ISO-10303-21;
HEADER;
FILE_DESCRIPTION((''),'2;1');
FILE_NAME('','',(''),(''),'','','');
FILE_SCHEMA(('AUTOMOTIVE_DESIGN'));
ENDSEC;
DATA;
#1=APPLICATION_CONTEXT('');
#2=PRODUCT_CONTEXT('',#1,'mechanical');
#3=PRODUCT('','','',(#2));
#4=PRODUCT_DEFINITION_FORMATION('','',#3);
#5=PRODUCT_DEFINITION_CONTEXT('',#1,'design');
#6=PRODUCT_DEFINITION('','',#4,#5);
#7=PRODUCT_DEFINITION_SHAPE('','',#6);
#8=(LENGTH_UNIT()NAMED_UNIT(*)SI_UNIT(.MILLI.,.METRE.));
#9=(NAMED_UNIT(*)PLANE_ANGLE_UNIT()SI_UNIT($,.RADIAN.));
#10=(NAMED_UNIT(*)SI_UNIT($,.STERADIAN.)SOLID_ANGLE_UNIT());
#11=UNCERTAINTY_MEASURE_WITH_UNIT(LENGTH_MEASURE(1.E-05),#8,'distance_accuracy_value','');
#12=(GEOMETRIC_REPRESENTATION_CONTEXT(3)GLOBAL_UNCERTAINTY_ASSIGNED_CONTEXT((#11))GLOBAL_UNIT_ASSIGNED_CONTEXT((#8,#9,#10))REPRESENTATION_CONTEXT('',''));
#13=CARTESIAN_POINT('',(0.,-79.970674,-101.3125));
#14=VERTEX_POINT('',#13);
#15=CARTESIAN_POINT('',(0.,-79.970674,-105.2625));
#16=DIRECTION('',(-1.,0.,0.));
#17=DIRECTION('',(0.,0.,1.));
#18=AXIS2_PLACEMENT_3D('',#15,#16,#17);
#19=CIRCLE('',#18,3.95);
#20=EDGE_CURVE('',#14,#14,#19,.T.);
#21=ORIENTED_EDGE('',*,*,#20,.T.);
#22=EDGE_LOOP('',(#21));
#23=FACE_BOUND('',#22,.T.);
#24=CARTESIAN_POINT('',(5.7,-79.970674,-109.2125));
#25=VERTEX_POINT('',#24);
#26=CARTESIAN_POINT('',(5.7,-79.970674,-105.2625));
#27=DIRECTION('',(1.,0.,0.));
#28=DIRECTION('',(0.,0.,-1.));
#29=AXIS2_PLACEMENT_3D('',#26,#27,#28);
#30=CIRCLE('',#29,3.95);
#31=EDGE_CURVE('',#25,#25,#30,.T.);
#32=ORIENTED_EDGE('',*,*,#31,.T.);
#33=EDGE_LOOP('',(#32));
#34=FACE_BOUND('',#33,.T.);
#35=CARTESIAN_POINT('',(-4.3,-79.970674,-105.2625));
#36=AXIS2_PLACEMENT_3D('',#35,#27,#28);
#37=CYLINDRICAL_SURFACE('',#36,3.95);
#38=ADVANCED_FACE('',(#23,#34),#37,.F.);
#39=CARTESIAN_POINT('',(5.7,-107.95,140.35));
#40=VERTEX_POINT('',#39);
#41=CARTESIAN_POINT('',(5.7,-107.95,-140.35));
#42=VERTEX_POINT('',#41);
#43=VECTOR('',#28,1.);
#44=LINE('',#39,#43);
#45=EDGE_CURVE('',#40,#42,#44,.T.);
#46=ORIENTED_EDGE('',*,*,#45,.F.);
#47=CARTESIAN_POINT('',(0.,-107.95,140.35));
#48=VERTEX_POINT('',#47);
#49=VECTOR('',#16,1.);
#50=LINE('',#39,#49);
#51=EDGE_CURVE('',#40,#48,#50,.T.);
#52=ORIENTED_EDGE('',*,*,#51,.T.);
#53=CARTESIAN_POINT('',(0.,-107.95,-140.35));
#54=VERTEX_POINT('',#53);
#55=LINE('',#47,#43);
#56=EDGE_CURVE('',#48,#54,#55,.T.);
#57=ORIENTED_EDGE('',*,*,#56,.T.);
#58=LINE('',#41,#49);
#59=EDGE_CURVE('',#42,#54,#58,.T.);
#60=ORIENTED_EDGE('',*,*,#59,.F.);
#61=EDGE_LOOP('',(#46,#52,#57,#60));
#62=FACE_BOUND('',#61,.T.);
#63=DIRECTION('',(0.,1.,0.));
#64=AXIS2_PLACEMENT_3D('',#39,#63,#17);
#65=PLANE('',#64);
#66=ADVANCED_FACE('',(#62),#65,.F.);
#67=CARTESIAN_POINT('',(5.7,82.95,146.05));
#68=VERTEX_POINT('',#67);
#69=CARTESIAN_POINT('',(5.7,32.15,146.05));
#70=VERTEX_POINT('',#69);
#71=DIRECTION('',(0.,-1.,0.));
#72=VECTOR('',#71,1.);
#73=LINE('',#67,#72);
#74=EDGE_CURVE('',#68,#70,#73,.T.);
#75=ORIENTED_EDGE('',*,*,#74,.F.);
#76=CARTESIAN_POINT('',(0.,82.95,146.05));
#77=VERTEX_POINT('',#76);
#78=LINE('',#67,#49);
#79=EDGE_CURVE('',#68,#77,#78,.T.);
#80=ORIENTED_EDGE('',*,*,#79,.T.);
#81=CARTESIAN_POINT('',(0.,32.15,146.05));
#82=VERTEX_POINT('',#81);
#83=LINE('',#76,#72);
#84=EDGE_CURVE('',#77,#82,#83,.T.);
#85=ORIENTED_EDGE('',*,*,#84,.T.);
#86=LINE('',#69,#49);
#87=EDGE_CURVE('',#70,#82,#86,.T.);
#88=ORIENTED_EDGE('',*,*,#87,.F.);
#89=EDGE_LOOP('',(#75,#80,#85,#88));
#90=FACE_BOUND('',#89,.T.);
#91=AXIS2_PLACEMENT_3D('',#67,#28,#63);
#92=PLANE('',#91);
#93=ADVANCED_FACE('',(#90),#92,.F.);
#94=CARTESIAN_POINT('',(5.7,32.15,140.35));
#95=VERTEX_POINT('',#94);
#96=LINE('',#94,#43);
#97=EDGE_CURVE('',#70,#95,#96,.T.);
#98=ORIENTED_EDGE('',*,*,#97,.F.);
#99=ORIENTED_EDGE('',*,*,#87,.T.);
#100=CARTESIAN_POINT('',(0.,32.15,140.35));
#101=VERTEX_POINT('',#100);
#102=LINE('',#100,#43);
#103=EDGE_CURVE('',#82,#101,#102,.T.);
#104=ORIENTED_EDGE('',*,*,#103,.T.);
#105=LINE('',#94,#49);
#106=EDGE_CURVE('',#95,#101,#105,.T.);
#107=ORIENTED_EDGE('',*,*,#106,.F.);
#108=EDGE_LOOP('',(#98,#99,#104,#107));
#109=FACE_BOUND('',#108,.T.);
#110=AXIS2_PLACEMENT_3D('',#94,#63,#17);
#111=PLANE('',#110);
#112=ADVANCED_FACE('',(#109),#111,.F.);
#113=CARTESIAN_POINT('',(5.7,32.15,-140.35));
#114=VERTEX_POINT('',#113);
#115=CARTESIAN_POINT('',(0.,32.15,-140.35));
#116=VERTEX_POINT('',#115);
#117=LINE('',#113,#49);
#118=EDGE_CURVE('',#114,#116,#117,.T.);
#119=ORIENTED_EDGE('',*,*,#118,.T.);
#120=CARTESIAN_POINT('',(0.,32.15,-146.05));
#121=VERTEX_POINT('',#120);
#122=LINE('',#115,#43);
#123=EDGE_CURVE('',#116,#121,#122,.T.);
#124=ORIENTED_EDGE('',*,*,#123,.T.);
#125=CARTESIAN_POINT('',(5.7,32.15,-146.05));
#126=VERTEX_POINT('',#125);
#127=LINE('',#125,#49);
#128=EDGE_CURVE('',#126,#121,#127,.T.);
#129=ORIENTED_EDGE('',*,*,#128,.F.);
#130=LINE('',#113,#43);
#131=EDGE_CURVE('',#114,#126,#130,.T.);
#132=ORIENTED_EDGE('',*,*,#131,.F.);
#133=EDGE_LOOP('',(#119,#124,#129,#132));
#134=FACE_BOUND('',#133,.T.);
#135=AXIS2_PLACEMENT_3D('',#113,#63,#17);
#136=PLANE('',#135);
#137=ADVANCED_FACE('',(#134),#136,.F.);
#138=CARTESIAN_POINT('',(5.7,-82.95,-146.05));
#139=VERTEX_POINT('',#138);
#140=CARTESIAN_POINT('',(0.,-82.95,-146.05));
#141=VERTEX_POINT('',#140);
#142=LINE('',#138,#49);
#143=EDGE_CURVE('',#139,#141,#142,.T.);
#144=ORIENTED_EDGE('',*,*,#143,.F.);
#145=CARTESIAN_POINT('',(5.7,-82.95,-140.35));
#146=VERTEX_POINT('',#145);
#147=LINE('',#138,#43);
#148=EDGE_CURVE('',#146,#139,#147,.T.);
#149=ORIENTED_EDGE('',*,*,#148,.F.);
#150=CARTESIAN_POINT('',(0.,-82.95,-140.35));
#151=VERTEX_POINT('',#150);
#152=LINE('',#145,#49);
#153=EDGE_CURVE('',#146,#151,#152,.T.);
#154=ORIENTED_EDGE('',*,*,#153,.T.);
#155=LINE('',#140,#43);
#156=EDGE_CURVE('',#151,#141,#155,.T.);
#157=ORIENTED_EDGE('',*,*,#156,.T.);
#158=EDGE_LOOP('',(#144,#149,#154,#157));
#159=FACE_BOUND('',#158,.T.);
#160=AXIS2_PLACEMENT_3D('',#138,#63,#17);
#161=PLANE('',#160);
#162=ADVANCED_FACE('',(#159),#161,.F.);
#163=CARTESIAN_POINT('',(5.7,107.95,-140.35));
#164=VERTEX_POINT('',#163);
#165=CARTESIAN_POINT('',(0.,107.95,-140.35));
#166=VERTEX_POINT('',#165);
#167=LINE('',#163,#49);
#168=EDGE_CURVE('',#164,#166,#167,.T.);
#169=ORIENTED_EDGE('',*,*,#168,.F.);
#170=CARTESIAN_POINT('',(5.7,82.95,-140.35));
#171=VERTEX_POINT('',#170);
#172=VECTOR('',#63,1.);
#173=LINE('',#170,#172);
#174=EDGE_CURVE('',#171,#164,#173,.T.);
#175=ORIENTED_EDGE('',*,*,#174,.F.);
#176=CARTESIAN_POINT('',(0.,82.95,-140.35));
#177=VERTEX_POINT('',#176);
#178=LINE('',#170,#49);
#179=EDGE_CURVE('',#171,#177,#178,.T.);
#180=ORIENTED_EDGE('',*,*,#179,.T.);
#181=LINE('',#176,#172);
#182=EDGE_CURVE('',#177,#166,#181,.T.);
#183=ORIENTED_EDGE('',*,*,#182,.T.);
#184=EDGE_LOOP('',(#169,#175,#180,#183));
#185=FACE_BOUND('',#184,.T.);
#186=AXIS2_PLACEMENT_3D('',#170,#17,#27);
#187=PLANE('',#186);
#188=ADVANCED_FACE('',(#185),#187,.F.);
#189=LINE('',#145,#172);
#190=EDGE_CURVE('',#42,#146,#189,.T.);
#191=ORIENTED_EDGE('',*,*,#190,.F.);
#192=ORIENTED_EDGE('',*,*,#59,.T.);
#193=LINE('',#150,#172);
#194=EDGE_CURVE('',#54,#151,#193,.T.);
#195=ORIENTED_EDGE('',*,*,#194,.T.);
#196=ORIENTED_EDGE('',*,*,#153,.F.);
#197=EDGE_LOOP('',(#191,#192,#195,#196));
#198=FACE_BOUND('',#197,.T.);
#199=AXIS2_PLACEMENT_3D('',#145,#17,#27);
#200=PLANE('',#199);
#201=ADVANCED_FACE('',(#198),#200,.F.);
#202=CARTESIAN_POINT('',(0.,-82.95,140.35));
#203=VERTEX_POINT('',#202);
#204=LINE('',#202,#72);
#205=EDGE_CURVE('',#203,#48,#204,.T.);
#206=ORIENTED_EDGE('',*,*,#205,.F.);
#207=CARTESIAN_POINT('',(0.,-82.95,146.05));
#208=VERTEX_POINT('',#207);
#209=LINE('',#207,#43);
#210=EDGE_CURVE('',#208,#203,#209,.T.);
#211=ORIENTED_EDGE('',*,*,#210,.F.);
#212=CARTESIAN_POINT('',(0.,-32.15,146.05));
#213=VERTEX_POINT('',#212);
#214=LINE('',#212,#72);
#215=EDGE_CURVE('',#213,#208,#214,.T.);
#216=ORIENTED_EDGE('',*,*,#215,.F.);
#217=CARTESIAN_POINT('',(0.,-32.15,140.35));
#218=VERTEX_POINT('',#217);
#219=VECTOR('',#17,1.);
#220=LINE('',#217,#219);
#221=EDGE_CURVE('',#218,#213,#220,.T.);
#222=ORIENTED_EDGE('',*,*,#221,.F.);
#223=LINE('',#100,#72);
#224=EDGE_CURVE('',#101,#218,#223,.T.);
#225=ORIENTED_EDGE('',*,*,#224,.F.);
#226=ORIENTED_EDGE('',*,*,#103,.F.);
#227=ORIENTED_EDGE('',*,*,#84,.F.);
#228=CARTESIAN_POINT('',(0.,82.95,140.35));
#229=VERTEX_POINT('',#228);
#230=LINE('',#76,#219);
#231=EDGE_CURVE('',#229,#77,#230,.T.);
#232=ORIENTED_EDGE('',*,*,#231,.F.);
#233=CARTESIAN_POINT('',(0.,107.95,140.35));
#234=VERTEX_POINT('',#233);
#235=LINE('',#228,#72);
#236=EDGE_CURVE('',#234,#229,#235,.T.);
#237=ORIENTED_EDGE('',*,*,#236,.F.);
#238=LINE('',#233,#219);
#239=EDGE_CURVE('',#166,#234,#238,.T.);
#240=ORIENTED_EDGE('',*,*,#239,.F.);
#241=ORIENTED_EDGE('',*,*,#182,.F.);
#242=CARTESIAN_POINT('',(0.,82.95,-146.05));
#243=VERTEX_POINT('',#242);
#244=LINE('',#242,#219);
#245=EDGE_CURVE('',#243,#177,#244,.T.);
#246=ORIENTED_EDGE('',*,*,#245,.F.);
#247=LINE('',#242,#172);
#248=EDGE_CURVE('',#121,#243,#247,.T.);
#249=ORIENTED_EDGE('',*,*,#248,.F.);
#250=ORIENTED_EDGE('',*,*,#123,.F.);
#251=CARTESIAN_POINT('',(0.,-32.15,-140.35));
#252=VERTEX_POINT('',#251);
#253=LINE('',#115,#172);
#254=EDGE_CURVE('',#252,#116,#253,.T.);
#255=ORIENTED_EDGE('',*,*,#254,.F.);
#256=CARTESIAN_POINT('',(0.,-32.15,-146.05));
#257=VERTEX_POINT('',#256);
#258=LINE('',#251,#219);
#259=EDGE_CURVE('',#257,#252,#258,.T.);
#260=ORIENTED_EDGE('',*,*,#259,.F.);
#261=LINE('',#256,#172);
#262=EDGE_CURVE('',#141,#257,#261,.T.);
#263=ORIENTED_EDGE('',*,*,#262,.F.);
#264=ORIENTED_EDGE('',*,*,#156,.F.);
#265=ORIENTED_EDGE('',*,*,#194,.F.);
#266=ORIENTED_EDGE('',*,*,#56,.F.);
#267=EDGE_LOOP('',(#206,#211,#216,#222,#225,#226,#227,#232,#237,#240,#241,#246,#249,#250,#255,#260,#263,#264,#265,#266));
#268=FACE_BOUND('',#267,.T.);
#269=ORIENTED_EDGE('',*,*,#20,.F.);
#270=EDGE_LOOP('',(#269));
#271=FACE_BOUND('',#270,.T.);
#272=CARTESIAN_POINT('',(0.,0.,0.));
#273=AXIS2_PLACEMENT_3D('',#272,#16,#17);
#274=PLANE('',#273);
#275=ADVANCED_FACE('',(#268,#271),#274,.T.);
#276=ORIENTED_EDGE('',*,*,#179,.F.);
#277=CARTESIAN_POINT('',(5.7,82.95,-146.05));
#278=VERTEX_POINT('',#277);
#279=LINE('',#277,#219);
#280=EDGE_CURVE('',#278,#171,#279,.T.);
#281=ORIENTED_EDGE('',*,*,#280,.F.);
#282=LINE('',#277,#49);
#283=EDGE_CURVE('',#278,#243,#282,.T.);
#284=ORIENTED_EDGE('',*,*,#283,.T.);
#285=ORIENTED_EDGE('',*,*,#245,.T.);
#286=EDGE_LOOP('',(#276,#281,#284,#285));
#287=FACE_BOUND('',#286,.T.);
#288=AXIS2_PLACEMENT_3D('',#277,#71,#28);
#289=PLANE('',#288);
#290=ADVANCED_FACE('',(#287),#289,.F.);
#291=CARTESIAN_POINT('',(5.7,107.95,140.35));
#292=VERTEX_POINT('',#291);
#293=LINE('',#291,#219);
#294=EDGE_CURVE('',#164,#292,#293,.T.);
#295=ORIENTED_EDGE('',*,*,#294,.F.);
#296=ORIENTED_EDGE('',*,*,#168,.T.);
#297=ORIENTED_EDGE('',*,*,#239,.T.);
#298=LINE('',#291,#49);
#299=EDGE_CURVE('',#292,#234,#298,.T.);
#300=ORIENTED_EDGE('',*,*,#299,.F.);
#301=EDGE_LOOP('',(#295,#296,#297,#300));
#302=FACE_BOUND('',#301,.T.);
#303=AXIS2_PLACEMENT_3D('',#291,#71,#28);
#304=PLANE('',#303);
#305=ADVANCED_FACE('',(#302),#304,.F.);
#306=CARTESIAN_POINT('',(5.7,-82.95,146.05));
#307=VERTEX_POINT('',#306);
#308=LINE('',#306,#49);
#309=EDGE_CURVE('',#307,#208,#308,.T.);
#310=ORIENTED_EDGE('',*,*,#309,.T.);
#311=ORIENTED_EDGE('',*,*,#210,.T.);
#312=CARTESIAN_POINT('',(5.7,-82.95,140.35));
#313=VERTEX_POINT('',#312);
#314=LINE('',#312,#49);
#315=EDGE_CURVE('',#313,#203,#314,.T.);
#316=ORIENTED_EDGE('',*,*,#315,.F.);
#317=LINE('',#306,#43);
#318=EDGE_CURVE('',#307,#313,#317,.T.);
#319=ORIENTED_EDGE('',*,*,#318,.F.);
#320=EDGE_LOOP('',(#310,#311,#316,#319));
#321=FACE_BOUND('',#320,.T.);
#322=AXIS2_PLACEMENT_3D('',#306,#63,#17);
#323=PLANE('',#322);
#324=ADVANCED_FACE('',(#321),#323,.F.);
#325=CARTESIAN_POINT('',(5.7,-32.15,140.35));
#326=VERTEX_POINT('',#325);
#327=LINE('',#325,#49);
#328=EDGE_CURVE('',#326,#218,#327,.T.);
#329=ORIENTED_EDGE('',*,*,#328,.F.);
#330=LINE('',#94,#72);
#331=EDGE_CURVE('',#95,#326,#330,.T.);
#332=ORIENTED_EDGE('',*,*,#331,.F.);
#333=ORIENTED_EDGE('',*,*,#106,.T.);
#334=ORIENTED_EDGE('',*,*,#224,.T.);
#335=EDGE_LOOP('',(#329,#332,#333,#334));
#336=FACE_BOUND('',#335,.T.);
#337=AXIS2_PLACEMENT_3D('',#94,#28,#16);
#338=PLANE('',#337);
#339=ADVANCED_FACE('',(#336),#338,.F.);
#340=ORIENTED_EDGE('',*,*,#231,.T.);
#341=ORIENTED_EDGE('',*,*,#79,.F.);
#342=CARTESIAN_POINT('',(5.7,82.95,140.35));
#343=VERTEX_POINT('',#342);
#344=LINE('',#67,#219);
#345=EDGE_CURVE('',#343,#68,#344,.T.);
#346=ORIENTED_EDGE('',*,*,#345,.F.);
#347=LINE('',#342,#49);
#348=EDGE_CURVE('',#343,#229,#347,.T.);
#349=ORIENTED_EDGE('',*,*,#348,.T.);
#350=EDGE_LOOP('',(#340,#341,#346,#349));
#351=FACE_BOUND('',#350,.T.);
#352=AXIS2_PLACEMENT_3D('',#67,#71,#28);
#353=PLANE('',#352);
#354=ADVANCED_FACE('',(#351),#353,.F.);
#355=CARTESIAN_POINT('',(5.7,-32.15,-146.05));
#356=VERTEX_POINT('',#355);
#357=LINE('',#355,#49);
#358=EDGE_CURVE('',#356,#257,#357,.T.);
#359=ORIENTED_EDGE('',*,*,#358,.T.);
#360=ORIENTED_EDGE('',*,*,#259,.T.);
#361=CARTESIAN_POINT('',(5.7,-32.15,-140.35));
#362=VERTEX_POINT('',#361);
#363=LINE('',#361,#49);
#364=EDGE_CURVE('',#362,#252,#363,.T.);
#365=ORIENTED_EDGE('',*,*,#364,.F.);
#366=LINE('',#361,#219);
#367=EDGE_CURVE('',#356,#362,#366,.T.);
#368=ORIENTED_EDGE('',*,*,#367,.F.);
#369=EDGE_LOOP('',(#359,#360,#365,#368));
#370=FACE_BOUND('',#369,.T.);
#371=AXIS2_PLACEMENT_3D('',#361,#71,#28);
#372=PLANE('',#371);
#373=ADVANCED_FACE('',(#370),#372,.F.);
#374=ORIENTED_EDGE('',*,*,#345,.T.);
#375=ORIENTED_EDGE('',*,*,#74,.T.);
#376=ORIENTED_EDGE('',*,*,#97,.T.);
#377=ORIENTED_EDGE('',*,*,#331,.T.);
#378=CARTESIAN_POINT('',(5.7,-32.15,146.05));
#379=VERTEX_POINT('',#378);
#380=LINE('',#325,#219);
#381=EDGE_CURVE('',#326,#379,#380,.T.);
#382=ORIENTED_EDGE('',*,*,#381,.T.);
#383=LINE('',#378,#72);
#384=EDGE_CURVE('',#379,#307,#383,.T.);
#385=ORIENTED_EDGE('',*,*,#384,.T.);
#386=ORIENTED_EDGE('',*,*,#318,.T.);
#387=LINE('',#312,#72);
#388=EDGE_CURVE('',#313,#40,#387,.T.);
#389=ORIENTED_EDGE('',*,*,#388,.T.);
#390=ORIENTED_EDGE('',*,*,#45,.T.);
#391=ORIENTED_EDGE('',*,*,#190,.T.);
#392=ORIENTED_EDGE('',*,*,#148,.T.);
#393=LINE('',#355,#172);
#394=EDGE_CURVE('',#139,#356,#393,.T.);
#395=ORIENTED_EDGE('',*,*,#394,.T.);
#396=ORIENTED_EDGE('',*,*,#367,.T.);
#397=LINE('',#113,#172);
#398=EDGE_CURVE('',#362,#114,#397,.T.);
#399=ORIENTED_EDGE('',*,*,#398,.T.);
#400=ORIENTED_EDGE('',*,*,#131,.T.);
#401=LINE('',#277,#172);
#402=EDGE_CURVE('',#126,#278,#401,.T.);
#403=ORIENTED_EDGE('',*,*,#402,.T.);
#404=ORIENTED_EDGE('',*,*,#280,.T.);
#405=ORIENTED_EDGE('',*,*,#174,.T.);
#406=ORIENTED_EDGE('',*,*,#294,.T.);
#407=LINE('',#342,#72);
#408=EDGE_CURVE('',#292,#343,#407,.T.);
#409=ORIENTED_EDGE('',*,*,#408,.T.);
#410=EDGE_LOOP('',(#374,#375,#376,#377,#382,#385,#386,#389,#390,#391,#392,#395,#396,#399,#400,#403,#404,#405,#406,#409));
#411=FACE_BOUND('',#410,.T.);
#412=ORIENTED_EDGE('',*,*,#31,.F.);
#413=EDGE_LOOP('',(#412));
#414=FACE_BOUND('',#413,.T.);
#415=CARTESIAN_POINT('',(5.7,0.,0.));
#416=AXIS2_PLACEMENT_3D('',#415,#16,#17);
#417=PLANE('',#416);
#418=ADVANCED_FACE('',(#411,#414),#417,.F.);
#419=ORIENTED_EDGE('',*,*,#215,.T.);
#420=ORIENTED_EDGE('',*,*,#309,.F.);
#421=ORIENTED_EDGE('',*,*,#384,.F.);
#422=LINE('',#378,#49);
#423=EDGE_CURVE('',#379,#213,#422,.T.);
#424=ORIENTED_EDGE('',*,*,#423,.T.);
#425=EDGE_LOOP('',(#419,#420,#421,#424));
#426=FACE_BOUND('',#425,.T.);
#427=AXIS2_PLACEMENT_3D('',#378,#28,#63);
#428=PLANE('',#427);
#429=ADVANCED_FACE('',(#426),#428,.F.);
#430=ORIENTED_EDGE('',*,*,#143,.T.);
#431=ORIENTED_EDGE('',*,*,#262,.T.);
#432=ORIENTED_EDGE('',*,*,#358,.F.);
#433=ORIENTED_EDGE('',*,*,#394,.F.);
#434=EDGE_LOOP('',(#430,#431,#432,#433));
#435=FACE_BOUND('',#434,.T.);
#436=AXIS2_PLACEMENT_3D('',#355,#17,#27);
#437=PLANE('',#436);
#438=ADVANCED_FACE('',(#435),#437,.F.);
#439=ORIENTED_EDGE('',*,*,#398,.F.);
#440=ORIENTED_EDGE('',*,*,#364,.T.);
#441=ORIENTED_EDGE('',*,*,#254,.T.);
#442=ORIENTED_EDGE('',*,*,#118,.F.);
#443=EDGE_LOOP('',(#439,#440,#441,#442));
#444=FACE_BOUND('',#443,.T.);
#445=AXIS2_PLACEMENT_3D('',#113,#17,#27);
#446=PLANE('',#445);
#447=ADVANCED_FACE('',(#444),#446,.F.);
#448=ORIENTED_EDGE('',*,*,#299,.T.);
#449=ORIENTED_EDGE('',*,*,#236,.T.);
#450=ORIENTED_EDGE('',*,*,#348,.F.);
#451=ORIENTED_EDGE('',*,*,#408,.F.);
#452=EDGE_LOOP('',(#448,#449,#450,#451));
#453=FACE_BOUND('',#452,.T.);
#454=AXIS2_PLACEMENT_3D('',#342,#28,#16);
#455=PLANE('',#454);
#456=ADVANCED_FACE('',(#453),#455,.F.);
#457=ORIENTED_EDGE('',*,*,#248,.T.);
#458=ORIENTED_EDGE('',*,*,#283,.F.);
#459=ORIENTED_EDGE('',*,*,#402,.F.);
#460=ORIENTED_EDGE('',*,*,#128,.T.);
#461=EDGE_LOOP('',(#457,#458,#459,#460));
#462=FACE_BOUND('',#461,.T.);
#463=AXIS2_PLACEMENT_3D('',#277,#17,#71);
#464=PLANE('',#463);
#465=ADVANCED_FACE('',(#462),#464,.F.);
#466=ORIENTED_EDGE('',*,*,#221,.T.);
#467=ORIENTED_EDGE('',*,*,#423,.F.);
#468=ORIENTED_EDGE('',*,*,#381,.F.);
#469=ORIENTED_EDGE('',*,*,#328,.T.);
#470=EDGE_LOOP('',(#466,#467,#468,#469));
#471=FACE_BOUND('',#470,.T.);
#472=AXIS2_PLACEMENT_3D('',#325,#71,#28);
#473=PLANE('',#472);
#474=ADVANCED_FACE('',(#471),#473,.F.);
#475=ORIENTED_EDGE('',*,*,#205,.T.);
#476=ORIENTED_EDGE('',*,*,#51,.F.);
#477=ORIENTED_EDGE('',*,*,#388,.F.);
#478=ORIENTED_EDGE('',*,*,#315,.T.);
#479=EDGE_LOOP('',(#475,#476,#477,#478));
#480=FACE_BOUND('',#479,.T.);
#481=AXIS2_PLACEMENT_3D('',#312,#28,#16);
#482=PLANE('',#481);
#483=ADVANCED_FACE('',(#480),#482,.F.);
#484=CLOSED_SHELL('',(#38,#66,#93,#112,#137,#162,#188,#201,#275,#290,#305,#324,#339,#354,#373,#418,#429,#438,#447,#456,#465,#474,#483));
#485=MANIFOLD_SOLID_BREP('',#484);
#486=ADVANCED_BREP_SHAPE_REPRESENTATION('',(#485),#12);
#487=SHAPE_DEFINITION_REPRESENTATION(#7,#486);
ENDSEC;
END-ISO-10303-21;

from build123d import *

# Parameters (mm, degrees)
BOSS_EXTRUDE1_DEPTH = 5.7
SKETCH2_R           = 3.95
CUT_EXTRUDE1_DEPTH  = 10


with BuildPart() as part:
    # Sketch1 → Boss-Extrude1 (new body)
    with BuildSketch(Plane(origin=(0, 0, 0), x_dir=(0, 0, -1), z_dir=(1, 0, 0))):
        Polygon((-140.35, 82.95), (-140.35, 107.95), (140.35, 107.95), (140.35, 82.95), (146.05, 82.95), (146.05, 32.15), (140.35, 32.15), (140.35, -32.15), (146.05, -32.15), (146.05, -82.95), (140.35, -82.95), (140.35, -107.95), (-140.35, -107.95), (-140.35, -82.95), (-146.05, -82.95), (-146.05, -32.15), (-140.35, -32.15), (-140.35, 32.15), (-146.05, 32.15), (-146.05, 82.95), align=None)
    extrude(amount=BOSS_EXTRUDE1_DEPTH)

    # Sketch2 → Cut-Extrude1 (cut)
    with BuildSketch(Plane(origin=(5.7, 0, 0), x_dir=(0, 0, -1), z_dir=(1, 0, 0))):
        with Locations((105.2625, -79.970674176)):
            Circle(SKETCH2_R)
    extrude(amount=-CUT_EXTRUDE1_DEPTH, mode=Mode.SUBTRACT)


solid = part.part
